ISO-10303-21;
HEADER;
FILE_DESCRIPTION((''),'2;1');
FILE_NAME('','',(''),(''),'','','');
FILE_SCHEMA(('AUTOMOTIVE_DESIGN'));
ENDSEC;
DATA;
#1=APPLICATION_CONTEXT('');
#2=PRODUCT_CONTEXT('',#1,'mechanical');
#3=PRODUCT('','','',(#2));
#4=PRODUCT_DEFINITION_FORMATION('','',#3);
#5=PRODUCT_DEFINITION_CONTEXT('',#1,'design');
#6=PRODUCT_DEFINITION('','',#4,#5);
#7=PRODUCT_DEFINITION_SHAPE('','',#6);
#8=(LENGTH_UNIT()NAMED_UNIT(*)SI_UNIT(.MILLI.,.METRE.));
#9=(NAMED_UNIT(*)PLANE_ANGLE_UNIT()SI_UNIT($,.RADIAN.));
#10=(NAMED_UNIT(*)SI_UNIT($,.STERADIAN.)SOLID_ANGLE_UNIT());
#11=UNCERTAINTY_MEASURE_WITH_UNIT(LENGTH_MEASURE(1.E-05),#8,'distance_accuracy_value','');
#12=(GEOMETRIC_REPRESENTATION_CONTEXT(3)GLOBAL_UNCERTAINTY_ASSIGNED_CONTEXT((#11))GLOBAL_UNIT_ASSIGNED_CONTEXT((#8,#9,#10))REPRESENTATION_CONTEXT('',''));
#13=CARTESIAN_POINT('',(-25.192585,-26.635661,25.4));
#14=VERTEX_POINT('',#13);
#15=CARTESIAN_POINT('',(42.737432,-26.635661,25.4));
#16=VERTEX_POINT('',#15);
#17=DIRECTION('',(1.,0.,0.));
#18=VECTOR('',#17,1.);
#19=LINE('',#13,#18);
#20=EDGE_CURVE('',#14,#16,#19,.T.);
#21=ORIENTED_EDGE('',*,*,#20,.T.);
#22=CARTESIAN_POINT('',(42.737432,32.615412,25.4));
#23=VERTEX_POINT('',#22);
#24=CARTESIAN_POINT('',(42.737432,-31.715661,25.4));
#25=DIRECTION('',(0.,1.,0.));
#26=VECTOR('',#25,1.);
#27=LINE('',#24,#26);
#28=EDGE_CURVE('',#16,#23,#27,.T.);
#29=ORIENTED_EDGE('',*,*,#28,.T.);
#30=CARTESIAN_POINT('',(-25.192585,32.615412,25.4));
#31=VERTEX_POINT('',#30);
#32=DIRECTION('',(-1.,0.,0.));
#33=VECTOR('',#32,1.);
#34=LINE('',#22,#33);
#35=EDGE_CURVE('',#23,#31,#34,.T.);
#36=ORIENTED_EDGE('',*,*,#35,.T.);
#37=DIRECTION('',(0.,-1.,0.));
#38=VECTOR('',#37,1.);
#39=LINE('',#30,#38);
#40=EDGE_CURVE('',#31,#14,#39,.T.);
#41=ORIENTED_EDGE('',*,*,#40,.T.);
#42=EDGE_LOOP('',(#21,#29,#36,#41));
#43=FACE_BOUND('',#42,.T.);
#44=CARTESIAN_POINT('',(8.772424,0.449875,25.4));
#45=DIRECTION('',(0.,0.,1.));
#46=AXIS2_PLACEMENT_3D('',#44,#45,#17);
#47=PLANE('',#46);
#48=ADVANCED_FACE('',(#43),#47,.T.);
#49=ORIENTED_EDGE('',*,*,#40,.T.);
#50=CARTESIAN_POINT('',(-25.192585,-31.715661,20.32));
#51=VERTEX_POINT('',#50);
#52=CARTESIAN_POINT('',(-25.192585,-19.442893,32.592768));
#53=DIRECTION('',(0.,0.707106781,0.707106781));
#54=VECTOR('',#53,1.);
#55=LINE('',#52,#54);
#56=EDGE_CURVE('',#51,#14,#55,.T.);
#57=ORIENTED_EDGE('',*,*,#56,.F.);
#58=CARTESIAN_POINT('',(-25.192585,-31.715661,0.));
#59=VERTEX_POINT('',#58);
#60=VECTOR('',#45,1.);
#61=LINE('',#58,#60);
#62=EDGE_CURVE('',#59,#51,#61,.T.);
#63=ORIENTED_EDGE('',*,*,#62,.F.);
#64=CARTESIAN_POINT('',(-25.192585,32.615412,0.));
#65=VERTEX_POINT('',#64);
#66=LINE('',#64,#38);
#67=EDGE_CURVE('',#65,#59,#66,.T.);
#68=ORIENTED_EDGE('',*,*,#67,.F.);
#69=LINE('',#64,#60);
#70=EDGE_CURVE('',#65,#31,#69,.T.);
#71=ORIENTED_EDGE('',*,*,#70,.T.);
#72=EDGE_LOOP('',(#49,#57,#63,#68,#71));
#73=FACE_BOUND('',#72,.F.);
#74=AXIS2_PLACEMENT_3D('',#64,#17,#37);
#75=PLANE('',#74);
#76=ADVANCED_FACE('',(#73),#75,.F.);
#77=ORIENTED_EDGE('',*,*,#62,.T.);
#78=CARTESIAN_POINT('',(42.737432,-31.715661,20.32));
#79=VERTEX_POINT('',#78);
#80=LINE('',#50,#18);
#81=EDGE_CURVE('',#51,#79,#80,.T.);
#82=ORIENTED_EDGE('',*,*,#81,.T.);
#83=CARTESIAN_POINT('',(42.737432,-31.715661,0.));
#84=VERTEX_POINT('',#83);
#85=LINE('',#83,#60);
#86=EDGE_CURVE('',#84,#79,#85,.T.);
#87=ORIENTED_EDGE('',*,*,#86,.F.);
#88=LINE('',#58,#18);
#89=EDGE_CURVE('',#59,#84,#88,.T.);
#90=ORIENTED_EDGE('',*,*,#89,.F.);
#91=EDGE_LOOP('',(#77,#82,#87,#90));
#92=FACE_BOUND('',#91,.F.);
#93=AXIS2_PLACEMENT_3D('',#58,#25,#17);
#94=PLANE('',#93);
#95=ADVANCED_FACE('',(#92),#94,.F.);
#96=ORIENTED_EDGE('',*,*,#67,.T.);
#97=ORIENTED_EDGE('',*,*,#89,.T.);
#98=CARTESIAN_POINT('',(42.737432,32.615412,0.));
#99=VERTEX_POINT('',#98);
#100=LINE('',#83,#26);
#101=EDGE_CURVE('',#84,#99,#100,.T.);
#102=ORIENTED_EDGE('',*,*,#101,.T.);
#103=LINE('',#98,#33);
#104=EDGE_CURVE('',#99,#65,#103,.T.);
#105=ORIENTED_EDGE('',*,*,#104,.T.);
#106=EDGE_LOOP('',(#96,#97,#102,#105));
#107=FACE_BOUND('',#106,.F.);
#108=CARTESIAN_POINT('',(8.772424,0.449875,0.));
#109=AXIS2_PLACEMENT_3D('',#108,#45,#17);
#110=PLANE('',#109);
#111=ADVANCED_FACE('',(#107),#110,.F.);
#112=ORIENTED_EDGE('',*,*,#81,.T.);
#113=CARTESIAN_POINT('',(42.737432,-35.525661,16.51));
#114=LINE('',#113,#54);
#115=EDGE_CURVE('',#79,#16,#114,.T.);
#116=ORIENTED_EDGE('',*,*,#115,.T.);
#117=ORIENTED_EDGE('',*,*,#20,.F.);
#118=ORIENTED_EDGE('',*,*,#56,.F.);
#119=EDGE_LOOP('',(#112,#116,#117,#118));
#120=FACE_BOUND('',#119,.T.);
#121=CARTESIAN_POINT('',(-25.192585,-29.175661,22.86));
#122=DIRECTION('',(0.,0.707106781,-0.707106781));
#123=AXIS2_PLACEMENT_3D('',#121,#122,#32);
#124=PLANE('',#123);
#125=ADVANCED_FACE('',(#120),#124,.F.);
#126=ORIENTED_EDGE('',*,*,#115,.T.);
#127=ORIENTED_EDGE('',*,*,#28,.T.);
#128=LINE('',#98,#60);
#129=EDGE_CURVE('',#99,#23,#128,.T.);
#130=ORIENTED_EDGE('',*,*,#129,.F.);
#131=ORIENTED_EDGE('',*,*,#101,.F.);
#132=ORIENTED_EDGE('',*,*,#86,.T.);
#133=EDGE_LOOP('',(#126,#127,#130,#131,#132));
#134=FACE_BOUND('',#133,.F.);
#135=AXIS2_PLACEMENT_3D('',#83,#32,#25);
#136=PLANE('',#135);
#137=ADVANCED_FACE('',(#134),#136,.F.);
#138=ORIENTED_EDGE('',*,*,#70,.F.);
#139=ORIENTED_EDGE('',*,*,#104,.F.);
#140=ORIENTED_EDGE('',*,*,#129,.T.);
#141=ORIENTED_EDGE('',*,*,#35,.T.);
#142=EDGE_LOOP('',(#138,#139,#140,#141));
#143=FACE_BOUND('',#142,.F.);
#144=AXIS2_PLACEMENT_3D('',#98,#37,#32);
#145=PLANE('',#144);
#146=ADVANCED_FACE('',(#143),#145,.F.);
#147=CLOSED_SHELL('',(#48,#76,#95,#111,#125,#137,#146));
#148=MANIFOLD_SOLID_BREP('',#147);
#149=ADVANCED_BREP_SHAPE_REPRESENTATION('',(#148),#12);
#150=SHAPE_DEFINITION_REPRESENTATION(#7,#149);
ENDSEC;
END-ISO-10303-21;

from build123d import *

# Parameters (mm, degrees)
F1_DEPTH = 25.4
F2_SIZE  = 5.08


with BuildPart() as f1:
    # F0 (on Top) → F1 (new body)
    with BuildSketch(Plane.XY):
        Polygon((42.737432, 32.615412), (-25.192585, 32.615412), (-25.192585, -31.715661), (8.772423, -31.715661), (42.737432, -31.715661), align=None)
    extrude(amount=F1_DEPTH)

    # F2
    f2_edges = [f1.edges().sort_by_distance(p)[0] for p in [
        (8.772423, -31.715661, 25.4),
    ]]
    chamfer(f2_edges, length=F2_SIZE)


solid = f1.part
